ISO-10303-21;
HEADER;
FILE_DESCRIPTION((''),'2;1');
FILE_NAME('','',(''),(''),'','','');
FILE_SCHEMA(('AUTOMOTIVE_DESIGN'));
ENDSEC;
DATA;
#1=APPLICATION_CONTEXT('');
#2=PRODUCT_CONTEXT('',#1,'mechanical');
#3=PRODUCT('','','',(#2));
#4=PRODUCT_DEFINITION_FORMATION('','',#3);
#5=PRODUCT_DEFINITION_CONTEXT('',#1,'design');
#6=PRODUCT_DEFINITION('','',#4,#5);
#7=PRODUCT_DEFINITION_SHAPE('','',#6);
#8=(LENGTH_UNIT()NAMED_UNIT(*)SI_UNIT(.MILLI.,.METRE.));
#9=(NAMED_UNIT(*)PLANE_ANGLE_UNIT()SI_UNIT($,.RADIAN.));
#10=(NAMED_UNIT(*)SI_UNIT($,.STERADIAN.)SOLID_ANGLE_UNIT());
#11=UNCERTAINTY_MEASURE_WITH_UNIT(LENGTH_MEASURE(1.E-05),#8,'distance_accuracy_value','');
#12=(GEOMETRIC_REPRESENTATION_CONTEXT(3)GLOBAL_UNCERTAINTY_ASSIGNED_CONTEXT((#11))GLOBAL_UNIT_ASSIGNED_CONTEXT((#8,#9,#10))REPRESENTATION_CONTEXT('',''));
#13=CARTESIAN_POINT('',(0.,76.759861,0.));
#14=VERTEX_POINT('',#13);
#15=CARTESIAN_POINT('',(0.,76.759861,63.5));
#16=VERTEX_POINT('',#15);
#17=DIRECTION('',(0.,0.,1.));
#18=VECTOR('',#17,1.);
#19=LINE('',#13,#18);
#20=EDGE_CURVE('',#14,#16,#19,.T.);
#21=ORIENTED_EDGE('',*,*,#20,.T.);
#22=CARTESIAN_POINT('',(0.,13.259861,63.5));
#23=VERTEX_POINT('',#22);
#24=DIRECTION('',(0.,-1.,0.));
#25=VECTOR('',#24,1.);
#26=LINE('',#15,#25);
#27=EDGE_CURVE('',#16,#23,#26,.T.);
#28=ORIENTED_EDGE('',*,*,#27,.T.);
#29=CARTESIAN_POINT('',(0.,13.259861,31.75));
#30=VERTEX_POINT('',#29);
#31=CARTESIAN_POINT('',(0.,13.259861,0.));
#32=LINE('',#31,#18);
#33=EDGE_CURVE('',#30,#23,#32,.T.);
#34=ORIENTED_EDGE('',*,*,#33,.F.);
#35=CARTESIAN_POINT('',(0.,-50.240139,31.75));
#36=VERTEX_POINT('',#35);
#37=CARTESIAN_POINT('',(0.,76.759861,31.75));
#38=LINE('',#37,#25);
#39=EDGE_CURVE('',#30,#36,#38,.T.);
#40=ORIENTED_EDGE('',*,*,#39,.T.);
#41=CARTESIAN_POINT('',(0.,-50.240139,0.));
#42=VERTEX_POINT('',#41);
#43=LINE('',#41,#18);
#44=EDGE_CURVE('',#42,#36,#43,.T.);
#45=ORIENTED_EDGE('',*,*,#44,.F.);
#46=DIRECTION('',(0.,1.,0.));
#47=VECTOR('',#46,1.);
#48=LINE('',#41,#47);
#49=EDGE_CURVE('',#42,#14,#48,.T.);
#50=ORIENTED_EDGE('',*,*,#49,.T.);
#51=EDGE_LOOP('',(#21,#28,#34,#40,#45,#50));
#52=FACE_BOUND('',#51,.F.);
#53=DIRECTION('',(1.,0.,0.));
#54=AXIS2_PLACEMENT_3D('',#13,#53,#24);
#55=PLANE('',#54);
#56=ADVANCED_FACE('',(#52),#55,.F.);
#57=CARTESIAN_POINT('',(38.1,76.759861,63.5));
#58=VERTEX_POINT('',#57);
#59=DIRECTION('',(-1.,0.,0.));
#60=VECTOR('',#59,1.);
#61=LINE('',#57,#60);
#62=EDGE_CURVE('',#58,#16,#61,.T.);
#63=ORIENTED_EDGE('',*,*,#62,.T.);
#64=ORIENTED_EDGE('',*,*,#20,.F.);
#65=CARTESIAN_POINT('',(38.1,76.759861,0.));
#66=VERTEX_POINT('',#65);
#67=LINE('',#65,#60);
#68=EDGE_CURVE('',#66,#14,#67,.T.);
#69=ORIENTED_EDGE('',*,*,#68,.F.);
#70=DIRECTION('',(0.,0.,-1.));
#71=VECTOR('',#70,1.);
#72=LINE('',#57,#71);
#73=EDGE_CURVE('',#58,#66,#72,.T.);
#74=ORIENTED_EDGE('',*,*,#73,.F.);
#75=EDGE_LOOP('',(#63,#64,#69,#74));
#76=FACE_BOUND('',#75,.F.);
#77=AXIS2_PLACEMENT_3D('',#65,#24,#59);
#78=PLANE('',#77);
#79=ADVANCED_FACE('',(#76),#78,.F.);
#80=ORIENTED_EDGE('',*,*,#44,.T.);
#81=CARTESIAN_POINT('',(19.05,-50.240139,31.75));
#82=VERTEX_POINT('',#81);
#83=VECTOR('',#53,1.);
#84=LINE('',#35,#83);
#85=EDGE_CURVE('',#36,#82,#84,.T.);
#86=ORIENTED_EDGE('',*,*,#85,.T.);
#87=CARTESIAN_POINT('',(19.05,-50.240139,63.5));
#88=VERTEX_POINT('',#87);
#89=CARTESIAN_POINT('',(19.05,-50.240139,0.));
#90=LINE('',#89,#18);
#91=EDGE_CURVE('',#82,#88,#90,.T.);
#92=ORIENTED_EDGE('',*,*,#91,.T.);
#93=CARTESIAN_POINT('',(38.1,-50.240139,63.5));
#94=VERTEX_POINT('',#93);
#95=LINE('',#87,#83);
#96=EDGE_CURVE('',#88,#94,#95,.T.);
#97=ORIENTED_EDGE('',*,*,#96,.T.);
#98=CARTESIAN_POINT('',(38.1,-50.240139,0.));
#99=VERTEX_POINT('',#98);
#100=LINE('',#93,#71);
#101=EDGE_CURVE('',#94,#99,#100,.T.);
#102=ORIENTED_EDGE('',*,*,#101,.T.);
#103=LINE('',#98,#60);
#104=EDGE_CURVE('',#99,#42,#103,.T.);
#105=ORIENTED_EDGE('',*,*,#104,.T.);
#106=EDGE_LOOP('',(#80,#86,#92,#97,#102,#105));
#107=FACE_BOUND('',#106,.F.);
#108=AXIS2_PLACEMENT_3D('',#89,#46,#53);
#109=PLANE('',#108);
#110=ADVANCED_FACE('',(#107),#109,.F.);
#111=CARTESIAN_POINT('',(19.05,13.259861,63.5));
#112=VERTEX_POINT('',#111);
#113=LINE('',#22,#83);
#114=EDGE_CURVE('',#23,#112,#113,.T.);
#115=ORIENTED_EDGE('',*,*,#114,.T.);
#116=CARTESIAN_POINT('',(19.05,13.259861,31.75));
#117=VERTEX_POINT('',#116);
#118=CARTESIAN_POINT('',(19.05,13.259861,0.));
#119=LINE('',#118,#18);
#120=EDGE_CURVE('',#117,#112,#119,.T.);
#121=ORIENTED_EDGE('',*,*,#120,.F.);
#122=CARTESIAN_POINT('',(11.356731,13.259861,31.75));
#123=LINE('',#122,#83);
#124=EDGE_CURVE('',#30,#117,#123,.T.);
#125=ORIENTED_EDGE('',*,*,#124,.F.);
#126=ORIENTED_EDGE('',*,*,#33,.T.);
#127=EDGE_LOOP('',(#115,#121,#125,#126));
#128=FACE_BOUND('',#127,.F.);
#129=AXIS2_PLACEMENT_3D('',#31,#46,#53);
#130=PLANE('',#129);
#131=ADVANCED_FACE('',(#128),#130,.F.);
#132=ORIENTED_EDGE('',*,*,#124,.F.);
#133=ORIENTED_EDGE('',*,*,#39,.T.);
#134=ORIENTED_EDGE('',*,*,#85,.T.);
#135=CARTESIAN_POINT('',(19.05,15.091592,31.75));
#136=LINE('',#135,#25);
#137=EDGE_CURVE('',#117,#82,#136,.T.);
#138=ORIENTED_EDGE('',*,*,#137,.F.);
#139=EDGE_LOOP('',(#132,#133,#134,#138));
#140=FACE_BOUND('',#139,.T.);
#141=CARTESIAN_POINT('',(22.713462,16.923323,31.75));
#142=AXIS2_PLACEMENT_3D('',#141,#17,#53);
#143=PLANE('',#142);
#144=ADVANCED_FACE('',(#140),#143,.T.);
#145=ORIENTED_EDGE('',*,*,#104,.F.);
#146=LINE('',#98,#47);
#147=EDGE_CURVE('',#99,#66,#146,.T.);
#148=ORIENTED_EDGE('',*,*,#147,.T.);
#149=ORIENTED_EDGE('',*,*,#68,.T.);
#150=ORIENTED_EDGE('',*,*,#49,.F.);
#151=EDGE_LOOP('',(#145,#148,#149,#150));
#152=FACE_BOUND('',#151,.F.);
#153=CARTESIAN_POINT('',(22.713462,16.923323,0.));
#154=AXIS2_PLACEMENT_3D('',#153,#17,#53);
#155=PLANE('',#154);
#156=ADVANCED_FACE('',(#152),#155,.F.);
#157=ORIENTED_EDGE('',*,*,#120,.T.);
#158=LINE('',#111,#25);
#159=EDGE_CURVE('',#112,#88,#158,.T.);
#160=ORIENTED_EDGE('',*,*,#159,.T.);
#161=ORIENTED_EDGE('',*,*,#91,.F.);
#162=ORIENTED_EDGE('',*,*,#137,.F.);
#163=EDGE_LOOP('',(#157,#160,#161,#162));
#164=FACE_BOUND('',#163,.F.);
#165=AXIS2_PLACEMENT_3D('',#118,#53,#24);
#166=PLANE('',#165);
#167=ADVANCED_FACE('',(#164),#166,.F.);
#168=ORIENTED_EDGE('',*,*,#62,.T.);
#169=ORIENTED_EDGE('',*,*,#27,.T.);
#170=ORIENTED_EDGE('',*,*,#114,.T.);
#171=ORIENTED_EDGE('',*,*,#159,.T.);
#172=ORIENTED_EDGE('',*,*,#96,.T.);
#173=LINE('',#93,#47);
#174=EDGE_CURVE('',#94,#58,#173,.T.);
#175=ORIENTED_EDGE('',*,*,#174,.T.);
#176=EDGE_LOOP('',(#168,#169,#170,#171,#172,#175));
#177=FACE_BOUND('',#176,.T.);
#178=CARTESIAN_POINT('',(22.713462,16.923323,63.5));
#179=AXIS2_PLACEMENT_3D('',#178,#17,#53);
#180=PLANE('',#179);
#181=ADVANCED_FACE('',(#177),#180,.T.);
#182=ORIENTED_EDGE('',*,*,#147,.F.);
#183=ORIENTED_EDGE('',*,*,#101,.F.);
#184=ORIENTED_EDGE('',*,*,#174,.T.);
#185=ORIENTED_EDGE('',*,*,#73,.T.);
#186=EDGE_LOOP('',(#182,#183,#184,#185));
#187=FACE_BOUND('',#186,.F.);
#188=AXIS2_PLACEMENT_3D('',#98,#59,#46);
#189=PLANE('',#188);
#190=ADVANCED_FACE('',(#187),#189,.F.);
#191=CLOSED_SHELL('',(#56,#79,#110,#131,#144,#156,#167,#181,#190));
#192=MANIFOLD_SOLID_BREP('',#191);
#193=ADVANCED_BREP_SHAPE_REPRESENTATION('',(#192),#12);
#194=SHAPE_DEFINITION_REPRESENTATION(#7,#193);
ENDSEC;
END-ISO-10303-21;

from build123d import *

# Parameters (mm, degrees)
F1_DEPTH = 63.5
F0_W     = 19.05
F0_H     = 63.5
F2_DEPTH = 31.75


with BuildPart() as f1:
    # F0 (on Top) → F1 (new body)
    with BuildSketch(Plane.XY):
        Polygon((38.1, 76.759861), (0, 76.759861), (0, 13.259861), (19.05, 13.259861), (19.05, -50.240139), (38.1, -50.240139), align=None)
    extrude(amount=F1_DEPTH)

    # F0 (on Top) → F2 (join)
    with BuildSketch(Plane.XY):
        Polygon((38.1, 76.759861), (0, 76.759861), (0, 13.259861), (19.05, 13.259861), (19.05, -50.240139), (38.1, -50.240139), align=None)
        with Locations((9.525, -18.490139)):
            Rectangle(F0_W, F0_H)
    extrude(amount=F2_DEPTH)


solid = f1.part
